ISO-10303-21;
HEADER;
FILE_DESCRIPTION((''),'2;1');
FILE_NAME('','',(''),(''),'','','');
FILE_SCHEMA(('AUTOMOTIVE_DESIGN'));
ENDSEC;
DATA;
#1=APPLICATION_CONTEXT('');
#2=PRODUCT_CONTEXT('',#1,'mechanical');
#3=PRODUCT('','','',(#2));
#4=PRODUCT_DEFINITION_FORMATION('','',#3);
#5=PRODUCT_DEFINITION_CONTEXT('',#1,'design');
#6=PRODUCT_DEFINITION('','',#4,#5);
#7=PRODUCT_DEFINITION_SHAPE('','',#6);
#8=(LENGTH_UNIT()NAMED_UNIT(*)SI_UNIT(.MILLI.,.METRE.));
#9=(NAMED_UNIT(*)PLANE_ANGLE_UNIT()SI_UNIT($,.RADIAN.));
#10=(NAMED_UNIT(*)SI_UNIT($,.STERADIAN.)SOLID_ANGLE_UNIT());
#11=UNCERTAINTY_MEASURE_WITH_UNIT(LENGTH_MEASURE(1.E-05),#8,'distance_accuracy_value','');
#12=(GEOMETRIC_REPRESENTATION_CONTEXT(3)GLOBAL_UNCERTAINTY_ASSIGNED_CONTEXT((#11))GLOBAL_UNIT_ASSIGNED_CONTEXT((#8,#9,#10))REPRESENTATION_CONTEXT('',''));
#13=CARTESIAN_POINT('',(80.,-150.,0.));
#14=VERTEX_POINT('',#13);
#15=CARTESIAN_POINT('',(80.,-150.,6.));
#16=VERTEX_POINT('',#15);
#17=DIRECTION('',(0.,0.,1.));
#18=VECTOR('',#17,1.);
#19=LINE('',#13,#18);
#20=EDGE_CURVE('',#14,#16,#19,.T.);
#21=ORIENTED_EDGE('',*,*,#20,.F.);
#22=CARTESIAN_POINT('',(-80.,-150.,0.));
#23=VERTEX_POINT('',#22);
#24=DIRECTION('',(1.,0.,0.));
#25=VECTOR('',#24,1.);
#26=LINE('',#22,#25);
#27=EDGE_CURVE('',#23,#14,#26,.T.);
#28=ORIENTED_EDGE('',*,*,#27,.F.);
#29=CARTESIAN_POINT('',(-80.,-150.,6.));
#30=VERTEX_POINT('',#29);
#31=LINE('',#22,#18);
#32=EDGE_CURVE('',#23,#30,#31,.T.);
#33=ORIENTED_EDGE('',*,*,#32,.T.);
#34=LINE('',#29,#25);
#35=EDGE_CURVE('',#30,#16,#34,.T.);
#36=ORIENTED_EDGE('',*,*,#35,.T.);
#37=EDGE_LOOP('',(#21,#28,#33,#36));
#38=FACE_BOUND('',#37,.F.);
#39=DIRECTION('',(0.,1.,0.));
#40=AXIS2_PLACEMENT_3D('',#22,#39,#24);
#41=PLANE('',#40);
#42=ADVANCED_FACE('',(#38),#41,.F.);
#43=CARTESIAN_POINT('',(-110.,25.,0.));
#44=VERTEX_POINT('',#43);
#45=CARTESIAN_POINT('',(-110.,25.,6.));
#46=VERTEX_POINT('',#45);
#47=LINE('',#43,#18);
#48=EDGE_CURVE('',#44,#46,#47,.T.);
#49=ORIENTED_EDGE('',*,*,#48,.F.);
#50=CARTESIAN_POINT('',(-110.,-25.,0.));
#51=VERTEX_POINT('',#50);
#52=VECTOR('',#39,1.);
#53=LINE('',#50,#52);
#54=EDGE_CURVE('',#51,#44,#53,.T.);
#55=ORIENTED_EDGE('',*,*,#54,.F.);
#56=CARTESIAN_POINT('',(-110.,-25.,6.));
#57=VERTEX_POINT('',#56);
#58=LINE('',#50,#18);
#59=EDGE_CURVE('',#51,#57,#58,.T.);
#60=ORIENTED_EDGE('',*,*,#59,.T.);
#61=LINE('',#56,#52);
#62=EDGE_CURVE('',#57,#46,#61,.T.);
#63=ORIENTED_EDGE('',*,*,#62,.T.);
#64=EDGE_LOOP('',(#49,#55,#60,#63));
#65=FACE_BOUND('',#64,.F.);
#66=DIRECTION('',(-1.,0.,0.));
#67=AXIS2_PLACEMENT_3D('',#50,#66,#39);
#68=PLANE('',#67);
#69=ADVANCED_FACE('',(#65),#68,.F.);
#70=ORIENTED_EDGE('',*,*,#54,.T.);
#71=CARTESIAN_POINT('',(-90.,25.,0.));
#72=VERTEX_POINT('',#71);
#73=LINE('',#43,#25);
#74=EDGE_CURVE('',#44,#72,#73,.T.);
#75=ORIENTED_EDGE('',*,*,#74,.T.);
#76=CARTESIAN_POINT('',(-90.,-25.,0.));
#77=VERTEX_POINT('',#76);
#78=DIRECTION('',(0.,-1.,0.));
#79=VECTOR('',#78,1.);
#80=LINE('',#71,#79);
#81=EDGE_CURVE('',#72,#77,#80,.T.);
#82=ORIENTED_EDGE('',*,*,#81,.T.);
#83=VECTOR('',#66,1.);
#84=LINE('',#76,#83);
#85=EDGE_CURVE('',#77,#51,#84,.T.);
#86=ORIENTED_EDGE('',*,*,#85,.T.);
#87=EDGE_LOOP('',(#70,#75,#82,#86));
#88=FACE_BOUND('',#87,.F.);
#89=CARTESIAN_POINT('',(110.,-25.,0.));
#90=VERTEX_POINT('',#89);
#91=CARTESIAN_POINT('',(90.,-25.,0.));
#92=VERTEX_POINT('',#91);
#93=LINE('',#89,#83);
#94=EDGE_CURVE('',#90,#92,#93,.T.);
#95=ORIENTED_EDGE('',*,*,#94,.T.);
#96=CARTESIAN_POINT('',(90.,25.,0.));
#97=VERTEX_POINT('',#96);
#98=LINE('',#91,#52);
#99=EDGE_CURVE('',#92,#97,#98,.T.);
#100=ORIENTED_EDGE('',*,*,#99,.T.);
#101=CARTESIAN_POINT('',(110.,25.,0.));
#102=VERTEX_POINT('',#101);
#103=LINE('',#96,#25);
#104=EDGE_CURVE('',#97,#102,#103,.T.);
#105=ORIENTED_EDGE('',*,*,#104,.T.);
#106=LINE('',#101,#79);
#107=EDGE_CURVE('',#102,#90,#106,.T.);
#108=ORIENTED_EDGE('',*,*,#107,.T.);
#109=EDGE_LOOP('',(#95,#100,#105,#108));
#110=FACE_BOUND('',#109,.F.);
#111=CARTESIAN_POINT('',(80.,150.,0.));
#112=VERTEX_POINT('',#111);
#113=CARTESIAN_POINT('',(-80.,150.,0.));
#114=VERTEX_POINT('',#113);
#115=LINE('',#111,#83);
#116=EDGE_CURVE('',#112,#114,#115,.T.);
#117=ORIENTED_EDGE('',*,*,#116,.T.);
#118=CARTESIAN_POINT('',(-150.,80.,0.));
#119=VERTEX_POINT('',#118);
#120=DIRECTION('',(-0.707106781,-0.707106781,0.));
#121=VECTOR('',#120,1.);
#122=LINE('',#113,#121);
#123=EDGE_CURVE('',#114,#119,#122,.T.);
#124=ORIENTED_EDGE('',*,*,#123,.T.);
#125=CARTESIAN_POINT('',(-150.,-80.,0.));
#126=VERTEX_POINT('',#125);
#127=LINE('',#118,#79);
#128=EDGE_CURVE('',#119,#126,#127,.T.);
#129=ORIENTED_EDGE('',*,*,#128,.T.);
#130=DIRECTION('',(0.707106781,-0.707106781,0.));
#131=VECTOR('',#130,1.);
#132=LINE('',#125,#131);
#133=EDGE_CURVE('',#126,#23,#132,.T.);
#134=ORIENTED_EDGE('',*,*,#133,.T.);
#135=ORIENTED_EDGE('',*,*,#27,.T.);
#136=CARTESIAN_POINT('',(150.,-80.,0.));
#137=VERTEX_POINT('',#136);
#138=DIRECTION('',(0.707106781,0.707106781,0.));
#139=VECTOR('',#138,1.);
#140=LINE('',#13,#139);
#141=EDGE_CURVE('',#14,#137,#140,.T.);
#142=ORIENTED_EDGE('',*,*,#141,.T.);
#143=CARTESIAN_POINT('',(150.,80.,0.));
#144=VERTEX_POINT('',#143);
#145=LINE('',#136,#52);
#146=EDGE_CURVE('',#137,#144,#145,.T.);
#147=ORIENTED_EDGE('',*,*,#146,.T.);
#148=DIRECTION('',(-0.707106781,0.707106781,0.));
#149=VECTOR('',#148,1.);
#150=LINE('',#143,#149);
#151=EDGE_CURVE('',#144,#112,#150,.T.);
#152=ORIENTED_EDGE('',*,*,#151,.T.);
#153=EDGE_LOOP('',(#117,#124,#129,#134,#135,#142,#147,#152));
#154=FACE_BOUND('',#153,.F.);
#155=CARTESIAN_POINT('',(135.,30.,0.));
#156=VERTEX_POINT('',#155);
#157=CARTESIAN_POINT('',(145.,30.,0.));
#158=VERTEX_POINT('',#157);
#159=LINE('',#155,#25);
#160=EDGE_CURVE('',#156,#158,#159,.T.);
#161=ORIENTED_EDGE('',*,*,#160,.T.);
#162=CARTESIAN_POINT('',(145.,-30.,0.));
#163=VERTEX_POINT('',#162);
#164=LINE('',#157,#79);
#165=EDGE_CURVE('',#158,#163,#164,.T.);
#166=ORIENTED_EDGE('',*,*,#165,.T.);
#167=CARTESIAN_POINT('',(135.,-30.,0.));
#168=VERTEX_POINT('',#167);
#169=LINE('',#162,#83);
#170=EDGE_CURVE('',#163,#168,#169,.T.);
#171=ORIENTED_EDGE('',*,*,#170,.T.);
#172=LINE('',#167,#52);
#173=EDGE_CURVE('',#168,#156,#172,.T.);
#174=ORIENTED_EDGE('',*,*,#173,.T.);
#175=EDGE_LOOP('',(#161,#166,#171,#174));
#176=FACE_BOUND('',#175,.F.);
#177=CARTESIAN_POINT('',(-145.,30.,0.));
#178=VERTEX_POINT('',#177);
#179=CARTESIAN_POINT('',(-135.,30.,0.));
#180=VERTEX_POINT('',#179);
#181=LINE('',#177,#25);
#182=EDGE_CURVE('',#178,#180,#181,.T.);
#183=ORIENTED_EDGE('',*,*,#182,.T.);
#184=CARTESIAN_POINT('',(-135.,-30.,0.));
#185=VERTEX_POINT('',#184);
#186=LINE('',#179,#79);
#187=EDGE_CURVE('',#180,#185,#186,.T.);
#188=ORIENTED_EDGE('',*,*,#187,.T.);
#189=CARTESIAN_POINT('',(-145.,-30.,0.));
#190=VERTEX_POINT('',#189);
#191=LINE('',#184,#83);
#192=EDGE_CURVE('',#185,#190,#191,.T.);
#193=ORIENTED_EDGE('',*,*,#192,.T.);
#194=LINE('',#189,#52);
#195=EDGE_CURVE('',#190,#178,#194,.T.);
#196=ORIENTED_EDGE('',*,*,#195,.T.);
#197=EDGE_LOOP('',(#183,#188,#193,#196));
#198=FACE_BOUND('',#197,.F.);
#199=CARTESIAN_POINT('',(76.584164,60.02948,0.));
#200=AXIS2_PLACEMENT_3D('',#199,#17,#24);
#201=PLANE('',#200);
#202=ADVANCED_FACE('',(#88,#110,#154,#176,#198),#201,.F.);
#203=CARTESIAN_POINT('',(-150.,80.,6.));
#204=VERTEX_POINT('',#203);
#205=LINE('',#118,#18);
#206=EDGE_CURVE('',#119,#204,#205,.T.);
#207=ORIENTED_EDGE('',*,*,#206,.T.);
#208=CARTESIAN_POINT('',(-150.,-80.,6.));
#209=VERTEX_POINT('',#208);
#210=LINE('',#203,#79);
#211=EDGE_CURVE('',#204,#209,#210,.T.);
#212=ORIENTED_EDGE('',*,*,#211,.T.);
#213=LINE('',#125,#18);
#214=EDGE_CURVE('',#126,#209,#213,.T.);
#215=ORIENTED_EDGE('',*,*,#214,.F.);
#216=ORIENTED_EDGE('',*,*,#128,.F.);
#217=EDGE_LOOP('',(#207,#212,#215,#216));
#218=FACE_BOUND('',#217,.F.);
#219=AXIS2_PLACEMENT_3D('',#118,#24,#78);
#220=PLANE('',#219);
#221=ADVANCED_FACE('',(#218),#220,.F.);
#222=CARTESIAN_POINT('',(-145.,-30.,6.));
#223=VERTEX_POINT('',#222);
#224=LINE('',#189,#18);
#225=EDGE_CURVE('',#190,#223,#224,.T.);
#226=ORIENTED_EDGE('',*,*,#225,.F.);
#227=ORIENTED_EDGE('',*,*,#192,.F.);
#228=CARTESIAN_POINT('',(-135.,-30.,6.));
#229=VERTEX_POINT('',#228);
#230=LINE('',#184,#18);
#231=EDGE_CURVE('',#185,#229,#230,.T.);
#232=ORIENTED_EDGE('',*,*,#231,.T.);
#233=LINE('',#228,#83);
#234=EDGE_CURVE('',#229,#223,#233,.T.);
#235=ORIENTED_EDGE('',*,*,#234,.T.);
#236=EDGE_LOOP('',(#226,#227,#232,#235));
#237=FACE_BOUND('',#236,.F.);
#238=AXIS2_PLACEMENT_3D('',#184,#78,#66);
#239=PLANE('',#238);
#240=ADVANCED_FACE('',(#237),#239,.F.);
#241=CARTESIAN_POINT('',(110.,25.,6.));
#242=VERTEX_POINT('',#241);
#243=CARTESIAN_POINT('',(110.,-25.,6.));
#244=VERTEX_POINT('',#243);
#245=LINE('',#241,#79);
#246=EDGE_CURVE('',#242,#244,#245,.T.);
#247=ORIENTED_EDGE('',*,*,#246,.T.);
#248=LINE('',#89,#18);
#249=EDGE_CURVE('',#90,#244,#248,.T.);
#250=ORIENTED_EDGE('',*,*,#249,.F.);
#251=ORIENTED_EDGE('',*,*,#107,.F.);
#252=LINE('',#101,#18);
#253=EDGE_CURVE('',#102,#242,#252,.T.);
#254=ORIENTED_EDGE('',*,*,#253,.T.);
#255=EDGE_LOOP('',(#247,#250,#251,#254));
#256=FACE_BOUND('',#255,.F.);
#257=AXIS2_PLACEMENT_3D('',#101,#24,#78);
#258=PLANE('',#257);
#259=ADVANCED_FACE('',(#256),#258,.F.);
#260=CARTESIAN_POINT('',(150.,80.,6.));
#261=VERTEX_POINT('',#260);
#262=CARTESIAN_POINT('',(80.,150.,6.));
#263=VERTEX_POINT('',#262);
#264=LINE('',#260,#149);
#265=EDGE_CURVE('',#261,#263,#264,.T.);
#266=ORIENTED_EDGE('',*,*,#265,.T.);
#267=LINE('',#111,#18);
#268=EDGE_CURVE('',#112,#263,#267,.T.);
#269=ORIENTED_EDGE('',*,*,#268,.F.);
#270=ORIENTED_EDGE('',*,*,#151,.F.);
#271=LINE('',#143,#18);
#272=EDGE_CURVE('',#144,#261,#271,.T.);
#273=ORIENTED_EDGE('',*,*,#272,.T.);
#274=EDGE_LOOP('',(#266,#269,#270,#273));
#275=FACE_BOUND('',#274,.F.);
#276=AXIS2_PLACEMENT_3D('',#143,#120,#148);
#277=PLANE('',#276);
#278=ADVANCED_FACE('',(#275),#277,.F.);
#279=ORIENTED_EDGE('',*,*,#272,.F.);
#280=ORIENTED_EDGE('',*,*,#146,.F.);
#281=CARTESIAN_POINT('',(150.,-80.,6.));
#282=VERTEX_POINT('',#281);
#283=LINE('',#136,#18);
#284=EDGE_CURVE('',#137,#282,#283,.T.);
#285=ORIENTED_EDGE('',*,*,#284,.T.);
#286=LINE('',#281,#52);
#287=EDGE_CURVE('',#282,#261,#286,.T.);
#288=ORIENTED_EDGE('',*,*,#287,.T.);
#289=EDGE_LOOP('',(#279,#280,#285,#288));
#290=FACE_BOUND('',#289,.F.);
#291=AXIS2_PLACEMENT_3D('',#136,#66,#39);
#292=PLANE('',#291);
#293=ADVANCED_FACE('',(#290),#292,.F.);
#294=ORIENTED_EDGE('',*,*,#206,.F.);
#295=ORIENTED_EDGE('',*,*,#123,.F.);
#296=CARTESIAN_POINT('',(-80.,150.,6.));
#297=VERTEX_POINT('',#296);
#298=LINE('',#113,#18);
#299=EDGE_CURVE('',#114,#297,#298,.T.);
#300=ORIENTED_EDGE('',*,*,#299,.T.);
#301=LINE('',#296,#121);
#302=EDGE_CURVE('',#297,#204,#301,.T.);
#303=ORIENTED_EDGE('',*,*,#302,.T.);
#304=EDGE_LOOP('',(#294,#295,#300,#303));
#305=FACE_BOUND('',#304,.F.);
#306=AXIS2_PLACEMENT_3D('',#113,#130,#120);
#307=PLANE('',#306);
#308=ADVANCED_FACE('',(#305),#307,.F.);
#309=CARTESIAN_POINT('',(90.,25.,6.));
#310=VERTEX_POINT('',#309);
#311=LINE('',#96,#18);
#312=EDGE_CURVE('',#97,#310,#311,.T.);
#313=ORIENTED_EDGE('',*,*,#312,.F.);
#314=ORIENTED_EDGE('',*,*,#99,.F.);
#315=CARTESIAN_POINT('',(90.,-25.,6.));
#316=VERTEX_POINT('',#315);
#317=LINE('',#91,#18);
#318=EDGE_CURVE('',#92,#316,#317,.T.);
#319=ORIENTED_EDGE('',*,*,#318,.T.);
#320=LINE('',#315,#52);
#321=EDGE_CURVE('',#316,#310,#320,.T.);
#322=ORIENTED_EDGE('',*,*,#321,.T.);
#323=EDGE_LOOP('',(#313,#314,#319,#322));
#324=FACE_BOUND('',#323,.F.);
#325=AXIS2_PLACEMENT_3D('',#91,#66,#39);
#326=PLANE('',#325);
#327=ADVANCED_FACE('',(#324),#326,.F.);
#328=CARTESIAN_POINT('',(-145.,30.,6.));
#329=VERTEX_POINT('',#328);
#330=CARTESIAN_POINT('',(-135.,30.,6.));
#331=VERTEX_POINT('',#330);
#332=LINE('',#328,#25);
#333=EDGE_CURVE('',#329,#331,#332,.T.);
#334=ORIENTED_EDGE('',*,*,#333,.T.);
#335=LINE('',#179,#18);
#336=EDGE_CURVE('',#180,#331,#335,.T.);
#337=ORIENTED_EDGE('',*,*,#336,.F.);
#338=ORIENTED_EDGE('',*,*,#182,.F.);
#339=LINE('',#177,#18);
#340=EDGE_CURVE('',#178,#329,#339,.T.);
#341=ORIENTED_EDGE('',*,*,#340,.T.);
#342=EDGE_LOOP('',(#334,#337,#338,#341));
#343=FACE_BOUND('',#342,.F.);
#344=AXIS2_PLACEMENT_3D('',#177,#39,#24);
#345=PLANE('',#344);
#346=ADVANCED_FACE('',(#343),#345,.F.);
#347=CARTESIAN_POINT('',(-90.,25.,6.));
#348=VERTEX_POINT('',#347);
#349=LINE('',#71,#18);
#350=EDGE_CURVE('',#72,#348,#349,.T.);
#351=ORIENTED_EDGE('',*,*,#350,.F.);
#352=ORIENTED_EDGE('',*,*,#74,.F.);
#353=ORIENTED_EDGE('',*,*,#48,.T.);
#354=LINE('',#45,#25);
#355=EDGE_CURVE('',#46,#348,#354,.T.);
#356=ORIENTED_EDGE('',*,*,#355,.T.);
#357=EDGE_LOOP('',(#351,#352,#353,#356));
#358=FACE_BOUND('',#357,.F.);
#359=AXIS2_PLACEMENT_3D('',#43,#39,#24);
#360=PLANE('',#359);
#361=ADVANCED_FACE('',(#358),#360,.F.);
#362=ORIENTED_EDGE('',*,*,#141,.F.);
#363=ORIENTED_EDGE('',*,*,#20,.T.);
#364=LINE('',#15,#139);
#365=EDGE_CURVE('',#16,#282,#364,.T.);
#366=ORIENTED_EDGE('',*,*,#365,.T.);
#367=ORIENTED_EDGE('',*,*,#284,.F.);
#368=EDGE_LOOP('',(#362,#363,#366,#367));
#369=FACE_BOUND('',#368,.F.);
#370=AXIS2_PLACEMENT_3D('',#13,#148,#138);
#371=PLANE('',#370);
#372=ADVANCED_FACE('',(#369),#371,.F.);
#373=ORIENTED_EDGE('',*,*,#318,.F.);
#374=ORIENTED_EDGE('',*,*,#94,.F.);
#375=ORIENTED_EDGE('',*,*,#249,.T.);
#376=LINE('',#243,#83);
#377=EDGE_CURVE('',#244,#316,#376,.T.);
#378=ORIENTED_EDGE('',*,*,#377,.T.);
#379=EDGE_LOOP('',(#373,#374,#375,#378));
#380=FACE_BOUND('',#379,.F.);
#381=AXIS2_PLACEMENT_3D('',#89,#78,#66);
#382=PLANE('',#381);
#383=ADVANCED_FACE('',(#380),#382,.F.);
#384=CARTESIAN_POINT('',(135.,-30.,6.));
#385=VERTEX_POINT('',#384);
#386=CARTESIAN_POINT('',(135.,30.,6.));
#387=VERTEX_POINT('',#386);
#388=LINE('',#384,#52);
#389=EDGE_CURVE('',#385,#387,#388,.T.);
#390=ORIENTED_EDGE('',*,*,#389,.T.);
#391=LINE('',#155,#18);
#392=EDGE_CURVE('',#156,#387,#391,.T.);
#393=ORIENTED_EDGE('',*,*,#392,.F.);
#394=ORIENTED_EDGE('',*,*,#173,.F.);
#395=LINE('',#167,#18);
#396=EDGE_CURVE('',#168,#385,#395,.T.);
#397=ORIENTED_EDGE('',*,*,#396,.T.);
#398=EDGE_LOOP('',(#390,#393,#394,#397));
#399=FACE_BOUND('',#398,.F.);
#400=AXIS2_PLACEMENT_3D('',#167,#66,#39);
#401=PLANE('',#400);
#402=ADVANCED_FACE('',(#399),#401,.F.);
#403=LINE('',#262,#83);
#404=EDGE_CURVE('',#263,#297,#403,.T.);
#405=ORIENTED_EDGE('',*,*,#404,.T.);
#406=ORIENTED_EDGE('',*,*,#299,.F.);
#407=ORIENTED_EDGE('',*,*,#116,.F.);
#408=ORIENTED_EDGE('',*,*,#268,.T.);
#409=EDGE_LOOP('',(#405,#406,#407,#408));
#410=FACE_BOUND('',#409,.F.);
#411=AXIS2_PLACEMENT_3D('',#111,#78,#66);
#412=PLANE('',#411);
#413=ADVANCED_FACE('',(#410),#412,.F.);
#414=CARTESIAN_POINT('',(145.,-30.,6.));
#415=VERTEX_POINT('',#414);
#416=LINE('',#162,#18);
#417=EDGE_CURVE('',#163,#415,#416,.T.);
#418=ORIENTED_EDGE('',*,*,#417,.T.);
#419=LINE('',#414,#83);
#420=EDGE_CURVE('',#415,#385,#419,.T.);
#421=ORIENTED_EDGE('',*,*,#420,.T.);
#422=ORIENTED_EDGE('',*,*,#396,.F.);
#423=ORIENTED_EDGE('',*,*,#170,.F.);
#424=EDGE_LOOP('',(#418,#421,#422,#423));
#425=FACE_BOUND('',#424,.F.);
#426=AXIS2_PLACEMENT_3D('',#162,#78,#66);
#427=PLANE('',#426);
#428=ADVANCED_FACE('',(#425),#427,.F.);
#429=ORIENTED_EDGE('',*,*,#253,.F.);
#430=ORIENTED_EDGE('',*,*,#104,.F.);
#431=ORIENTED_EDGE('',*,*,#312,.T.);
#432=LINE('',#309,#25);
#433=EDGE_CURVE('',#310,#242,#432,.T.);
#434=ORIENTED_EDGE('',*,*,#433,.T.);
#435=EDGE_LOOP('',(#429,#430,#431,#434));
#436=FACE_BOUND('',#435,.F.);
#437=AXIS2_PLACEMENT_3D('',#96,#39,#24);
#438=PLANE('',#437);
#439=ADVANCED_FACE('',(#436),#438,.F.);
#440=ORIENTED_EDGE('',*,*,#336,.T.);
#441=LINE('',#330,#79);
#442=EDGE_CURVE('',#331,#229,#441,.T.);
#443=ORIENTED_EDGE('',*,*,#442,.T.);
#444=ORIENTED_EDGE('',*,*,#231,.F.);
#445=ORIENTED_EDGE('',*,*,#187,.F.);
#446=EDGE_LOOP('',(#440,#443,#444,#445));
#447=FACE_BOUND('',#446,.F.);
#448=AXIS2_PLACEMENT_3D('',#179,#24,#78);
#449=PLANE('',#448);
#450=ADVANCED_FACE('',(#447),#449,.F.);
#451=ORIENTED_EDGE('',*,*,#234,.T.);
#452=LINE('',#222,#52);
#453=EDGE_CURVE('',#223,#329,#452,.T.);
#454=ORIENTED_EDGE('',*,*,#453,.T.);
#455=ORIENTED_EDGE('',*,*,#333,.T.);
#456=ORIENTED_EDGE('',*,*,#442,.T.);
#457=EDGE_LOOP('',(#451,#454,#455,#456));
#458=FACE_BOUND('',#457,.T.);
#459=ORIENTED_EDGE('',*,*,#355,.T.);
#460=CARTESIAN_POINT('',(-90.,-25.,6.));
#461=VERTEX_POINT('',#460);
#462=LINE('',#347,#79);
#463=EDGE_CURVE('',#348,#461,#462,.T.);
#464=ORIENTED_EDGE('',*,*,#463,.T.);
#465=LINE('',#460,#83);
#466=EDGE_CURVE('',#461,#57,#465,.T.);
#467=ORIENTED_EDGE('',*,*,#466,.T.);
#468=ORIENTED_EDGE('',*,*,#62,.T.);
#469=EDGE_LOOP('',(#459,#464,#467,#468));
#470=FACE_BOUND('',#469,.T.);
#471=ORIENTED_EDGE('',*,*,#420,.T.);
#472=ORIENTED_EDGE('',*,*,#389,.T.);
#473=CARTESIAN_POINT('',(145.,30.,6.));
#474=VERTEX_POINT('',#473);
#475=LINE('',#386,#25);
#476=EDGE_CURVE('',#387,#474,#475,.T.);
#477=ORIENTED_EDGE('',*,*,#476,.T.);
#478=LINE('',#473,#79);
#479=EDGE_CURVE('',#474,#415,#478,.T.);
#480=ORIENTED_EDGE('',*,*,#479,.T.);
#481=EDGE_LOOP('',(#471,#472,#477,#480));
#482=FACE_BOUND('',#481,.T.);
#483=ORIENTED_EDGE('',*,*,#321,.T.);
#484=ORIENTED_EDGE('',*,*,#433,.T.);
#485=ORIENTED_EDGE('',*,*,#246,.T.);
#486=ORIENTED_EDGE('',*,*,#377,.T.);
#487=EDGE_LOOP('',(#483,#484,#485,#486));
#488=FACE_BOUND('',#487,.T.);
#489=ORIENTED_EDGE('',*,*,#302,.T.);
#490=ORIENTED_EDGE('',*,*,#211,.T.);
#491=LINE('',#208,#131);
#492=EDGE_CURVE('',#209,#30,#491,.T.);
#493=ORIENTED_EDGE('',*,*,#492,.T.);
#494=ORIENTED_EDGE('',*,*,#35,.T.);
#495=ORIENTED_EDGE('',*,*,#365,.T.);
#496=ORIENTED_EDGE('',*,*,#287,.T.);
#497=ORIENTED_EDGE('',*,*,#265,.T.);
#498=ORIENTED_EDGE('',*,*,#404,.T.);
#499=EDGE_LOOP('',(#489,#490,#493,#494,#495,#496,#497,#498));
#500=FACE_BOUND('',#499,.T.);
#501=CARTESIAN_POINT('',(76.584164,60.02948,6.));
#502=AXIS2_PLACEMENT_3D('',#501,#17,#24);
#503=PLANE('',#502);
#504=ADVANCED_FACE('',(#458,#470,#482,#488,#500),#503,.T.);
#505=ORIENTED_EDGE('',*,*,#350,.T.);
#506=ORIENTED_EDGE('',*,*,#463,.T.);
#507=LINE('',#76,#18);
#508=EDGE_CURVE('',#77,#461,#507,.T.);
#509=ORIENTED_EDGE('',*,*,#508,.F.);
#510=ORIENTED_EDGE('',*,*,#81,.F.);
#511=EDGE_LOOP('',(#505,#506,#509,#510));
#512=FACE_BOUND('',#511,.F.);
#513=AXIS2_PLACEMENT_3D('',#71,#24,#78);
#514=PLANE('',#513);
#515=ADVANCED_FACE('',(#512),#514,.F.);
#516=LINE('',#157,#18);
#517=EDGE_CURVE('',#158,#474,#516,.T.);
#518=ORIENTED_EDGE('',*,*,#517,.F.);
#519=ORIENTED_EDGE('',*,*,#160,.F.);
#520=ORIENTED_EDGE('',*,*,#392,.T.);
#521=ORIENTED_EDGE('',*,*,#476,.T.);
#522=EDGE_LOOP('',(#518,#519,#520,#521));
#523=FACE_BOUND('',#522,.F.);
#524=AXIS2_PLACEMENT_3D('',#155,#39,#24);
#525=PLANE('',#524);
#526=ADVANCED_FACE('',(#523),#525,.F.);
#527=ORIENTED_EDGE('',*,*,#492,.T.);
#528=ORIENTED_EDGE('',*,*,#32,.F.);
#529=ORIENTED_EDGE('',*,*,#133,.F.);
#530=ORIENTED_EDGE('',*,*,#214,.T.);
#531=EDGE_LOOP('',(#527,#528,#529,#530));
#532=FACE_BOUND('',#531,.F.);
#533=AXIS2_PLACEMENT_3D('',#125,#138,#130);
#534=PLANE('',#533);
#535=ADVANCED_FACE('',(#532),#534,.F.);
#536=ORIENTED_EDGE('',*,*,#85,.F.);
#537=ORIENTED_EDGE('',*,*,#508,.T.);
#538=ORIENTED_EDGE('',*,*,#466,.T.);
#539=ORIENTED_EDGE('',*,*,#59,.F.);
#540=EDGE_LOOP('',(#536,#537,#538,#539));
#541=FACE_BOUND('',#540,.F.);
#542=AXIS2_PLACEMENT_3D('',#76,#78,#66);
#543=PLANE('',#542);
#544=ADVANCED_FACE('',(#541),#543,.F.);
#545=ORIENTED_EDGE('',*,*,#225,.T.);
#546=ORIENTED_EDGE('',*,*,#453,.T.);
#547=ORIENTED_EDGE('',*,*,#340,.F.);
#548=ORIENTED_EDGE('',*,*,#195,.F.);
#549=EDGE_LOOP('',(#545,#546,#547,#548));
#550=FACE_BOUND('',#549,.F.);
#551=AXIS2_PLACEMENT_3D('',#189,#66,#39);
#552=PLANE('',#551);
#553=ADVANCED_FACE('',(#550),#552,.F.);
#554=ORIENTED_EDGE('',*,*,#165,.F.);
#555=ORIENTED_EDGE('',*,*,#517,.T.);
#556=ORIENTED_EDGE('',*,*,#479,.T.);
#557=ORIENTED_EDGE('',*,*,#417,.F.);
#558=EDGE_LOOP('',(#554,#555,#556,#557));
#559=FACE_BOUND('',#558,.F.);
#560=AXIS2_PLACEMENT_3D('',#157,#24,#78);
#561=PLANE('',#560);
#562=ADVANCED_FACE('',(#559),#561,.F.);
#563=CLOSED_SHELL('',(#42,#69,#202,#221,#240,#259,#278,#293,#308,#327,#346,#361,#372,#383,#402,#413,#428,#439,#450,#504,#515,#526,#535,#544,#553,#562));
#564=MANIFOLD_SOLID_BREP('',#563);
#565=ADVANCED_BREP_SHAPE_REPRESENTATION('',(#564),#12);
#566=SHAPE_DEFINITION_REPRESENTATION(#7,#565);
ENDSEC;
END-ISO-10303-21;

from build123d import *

# Parameters (mm, degrees)
F1_DEPTH = 6


with BuildPart() as f1:
    # F0 (on Top) → F1 (new body)
    with BuildSketch(Plane.XY):
        Polygon((80, 150), (0, 150), (0, 0), (90, 0), (90, 25), (110, 25), (110, 0), (135, 0), (135, 30), (145, 30), (145, 0), (150, 0), (150, 80), align=None)
        Polygon((0, 150), (-80, 150), (-150, 80), (-150, 0), (-145, 0), (-145, 30), (-135, 30), (-135, 0), (-110, 0), (-110, 25), (-90, 25), (-90, 0), (0, 0), align=None)
        Polygon((-145, 0), (-150, 0), (-150, -80), (-80, -150), (0, -150), (0, 0), (-90, 0), (-90, -25), (-110, -25), (-110, 0), (-135, 0), (-135, -30), (-145, -30), align=None)
        Polygon((90, 0), (0, 0), (0, -150), (80, -150), (150, -80), (150, 0), (145, 0), (145, -30), (135, -30), (135, 0), (110, 0), (110, -25), (90, -25), align=None)
    extrude(amount=F1_DEPTH)


solid = f1.part
